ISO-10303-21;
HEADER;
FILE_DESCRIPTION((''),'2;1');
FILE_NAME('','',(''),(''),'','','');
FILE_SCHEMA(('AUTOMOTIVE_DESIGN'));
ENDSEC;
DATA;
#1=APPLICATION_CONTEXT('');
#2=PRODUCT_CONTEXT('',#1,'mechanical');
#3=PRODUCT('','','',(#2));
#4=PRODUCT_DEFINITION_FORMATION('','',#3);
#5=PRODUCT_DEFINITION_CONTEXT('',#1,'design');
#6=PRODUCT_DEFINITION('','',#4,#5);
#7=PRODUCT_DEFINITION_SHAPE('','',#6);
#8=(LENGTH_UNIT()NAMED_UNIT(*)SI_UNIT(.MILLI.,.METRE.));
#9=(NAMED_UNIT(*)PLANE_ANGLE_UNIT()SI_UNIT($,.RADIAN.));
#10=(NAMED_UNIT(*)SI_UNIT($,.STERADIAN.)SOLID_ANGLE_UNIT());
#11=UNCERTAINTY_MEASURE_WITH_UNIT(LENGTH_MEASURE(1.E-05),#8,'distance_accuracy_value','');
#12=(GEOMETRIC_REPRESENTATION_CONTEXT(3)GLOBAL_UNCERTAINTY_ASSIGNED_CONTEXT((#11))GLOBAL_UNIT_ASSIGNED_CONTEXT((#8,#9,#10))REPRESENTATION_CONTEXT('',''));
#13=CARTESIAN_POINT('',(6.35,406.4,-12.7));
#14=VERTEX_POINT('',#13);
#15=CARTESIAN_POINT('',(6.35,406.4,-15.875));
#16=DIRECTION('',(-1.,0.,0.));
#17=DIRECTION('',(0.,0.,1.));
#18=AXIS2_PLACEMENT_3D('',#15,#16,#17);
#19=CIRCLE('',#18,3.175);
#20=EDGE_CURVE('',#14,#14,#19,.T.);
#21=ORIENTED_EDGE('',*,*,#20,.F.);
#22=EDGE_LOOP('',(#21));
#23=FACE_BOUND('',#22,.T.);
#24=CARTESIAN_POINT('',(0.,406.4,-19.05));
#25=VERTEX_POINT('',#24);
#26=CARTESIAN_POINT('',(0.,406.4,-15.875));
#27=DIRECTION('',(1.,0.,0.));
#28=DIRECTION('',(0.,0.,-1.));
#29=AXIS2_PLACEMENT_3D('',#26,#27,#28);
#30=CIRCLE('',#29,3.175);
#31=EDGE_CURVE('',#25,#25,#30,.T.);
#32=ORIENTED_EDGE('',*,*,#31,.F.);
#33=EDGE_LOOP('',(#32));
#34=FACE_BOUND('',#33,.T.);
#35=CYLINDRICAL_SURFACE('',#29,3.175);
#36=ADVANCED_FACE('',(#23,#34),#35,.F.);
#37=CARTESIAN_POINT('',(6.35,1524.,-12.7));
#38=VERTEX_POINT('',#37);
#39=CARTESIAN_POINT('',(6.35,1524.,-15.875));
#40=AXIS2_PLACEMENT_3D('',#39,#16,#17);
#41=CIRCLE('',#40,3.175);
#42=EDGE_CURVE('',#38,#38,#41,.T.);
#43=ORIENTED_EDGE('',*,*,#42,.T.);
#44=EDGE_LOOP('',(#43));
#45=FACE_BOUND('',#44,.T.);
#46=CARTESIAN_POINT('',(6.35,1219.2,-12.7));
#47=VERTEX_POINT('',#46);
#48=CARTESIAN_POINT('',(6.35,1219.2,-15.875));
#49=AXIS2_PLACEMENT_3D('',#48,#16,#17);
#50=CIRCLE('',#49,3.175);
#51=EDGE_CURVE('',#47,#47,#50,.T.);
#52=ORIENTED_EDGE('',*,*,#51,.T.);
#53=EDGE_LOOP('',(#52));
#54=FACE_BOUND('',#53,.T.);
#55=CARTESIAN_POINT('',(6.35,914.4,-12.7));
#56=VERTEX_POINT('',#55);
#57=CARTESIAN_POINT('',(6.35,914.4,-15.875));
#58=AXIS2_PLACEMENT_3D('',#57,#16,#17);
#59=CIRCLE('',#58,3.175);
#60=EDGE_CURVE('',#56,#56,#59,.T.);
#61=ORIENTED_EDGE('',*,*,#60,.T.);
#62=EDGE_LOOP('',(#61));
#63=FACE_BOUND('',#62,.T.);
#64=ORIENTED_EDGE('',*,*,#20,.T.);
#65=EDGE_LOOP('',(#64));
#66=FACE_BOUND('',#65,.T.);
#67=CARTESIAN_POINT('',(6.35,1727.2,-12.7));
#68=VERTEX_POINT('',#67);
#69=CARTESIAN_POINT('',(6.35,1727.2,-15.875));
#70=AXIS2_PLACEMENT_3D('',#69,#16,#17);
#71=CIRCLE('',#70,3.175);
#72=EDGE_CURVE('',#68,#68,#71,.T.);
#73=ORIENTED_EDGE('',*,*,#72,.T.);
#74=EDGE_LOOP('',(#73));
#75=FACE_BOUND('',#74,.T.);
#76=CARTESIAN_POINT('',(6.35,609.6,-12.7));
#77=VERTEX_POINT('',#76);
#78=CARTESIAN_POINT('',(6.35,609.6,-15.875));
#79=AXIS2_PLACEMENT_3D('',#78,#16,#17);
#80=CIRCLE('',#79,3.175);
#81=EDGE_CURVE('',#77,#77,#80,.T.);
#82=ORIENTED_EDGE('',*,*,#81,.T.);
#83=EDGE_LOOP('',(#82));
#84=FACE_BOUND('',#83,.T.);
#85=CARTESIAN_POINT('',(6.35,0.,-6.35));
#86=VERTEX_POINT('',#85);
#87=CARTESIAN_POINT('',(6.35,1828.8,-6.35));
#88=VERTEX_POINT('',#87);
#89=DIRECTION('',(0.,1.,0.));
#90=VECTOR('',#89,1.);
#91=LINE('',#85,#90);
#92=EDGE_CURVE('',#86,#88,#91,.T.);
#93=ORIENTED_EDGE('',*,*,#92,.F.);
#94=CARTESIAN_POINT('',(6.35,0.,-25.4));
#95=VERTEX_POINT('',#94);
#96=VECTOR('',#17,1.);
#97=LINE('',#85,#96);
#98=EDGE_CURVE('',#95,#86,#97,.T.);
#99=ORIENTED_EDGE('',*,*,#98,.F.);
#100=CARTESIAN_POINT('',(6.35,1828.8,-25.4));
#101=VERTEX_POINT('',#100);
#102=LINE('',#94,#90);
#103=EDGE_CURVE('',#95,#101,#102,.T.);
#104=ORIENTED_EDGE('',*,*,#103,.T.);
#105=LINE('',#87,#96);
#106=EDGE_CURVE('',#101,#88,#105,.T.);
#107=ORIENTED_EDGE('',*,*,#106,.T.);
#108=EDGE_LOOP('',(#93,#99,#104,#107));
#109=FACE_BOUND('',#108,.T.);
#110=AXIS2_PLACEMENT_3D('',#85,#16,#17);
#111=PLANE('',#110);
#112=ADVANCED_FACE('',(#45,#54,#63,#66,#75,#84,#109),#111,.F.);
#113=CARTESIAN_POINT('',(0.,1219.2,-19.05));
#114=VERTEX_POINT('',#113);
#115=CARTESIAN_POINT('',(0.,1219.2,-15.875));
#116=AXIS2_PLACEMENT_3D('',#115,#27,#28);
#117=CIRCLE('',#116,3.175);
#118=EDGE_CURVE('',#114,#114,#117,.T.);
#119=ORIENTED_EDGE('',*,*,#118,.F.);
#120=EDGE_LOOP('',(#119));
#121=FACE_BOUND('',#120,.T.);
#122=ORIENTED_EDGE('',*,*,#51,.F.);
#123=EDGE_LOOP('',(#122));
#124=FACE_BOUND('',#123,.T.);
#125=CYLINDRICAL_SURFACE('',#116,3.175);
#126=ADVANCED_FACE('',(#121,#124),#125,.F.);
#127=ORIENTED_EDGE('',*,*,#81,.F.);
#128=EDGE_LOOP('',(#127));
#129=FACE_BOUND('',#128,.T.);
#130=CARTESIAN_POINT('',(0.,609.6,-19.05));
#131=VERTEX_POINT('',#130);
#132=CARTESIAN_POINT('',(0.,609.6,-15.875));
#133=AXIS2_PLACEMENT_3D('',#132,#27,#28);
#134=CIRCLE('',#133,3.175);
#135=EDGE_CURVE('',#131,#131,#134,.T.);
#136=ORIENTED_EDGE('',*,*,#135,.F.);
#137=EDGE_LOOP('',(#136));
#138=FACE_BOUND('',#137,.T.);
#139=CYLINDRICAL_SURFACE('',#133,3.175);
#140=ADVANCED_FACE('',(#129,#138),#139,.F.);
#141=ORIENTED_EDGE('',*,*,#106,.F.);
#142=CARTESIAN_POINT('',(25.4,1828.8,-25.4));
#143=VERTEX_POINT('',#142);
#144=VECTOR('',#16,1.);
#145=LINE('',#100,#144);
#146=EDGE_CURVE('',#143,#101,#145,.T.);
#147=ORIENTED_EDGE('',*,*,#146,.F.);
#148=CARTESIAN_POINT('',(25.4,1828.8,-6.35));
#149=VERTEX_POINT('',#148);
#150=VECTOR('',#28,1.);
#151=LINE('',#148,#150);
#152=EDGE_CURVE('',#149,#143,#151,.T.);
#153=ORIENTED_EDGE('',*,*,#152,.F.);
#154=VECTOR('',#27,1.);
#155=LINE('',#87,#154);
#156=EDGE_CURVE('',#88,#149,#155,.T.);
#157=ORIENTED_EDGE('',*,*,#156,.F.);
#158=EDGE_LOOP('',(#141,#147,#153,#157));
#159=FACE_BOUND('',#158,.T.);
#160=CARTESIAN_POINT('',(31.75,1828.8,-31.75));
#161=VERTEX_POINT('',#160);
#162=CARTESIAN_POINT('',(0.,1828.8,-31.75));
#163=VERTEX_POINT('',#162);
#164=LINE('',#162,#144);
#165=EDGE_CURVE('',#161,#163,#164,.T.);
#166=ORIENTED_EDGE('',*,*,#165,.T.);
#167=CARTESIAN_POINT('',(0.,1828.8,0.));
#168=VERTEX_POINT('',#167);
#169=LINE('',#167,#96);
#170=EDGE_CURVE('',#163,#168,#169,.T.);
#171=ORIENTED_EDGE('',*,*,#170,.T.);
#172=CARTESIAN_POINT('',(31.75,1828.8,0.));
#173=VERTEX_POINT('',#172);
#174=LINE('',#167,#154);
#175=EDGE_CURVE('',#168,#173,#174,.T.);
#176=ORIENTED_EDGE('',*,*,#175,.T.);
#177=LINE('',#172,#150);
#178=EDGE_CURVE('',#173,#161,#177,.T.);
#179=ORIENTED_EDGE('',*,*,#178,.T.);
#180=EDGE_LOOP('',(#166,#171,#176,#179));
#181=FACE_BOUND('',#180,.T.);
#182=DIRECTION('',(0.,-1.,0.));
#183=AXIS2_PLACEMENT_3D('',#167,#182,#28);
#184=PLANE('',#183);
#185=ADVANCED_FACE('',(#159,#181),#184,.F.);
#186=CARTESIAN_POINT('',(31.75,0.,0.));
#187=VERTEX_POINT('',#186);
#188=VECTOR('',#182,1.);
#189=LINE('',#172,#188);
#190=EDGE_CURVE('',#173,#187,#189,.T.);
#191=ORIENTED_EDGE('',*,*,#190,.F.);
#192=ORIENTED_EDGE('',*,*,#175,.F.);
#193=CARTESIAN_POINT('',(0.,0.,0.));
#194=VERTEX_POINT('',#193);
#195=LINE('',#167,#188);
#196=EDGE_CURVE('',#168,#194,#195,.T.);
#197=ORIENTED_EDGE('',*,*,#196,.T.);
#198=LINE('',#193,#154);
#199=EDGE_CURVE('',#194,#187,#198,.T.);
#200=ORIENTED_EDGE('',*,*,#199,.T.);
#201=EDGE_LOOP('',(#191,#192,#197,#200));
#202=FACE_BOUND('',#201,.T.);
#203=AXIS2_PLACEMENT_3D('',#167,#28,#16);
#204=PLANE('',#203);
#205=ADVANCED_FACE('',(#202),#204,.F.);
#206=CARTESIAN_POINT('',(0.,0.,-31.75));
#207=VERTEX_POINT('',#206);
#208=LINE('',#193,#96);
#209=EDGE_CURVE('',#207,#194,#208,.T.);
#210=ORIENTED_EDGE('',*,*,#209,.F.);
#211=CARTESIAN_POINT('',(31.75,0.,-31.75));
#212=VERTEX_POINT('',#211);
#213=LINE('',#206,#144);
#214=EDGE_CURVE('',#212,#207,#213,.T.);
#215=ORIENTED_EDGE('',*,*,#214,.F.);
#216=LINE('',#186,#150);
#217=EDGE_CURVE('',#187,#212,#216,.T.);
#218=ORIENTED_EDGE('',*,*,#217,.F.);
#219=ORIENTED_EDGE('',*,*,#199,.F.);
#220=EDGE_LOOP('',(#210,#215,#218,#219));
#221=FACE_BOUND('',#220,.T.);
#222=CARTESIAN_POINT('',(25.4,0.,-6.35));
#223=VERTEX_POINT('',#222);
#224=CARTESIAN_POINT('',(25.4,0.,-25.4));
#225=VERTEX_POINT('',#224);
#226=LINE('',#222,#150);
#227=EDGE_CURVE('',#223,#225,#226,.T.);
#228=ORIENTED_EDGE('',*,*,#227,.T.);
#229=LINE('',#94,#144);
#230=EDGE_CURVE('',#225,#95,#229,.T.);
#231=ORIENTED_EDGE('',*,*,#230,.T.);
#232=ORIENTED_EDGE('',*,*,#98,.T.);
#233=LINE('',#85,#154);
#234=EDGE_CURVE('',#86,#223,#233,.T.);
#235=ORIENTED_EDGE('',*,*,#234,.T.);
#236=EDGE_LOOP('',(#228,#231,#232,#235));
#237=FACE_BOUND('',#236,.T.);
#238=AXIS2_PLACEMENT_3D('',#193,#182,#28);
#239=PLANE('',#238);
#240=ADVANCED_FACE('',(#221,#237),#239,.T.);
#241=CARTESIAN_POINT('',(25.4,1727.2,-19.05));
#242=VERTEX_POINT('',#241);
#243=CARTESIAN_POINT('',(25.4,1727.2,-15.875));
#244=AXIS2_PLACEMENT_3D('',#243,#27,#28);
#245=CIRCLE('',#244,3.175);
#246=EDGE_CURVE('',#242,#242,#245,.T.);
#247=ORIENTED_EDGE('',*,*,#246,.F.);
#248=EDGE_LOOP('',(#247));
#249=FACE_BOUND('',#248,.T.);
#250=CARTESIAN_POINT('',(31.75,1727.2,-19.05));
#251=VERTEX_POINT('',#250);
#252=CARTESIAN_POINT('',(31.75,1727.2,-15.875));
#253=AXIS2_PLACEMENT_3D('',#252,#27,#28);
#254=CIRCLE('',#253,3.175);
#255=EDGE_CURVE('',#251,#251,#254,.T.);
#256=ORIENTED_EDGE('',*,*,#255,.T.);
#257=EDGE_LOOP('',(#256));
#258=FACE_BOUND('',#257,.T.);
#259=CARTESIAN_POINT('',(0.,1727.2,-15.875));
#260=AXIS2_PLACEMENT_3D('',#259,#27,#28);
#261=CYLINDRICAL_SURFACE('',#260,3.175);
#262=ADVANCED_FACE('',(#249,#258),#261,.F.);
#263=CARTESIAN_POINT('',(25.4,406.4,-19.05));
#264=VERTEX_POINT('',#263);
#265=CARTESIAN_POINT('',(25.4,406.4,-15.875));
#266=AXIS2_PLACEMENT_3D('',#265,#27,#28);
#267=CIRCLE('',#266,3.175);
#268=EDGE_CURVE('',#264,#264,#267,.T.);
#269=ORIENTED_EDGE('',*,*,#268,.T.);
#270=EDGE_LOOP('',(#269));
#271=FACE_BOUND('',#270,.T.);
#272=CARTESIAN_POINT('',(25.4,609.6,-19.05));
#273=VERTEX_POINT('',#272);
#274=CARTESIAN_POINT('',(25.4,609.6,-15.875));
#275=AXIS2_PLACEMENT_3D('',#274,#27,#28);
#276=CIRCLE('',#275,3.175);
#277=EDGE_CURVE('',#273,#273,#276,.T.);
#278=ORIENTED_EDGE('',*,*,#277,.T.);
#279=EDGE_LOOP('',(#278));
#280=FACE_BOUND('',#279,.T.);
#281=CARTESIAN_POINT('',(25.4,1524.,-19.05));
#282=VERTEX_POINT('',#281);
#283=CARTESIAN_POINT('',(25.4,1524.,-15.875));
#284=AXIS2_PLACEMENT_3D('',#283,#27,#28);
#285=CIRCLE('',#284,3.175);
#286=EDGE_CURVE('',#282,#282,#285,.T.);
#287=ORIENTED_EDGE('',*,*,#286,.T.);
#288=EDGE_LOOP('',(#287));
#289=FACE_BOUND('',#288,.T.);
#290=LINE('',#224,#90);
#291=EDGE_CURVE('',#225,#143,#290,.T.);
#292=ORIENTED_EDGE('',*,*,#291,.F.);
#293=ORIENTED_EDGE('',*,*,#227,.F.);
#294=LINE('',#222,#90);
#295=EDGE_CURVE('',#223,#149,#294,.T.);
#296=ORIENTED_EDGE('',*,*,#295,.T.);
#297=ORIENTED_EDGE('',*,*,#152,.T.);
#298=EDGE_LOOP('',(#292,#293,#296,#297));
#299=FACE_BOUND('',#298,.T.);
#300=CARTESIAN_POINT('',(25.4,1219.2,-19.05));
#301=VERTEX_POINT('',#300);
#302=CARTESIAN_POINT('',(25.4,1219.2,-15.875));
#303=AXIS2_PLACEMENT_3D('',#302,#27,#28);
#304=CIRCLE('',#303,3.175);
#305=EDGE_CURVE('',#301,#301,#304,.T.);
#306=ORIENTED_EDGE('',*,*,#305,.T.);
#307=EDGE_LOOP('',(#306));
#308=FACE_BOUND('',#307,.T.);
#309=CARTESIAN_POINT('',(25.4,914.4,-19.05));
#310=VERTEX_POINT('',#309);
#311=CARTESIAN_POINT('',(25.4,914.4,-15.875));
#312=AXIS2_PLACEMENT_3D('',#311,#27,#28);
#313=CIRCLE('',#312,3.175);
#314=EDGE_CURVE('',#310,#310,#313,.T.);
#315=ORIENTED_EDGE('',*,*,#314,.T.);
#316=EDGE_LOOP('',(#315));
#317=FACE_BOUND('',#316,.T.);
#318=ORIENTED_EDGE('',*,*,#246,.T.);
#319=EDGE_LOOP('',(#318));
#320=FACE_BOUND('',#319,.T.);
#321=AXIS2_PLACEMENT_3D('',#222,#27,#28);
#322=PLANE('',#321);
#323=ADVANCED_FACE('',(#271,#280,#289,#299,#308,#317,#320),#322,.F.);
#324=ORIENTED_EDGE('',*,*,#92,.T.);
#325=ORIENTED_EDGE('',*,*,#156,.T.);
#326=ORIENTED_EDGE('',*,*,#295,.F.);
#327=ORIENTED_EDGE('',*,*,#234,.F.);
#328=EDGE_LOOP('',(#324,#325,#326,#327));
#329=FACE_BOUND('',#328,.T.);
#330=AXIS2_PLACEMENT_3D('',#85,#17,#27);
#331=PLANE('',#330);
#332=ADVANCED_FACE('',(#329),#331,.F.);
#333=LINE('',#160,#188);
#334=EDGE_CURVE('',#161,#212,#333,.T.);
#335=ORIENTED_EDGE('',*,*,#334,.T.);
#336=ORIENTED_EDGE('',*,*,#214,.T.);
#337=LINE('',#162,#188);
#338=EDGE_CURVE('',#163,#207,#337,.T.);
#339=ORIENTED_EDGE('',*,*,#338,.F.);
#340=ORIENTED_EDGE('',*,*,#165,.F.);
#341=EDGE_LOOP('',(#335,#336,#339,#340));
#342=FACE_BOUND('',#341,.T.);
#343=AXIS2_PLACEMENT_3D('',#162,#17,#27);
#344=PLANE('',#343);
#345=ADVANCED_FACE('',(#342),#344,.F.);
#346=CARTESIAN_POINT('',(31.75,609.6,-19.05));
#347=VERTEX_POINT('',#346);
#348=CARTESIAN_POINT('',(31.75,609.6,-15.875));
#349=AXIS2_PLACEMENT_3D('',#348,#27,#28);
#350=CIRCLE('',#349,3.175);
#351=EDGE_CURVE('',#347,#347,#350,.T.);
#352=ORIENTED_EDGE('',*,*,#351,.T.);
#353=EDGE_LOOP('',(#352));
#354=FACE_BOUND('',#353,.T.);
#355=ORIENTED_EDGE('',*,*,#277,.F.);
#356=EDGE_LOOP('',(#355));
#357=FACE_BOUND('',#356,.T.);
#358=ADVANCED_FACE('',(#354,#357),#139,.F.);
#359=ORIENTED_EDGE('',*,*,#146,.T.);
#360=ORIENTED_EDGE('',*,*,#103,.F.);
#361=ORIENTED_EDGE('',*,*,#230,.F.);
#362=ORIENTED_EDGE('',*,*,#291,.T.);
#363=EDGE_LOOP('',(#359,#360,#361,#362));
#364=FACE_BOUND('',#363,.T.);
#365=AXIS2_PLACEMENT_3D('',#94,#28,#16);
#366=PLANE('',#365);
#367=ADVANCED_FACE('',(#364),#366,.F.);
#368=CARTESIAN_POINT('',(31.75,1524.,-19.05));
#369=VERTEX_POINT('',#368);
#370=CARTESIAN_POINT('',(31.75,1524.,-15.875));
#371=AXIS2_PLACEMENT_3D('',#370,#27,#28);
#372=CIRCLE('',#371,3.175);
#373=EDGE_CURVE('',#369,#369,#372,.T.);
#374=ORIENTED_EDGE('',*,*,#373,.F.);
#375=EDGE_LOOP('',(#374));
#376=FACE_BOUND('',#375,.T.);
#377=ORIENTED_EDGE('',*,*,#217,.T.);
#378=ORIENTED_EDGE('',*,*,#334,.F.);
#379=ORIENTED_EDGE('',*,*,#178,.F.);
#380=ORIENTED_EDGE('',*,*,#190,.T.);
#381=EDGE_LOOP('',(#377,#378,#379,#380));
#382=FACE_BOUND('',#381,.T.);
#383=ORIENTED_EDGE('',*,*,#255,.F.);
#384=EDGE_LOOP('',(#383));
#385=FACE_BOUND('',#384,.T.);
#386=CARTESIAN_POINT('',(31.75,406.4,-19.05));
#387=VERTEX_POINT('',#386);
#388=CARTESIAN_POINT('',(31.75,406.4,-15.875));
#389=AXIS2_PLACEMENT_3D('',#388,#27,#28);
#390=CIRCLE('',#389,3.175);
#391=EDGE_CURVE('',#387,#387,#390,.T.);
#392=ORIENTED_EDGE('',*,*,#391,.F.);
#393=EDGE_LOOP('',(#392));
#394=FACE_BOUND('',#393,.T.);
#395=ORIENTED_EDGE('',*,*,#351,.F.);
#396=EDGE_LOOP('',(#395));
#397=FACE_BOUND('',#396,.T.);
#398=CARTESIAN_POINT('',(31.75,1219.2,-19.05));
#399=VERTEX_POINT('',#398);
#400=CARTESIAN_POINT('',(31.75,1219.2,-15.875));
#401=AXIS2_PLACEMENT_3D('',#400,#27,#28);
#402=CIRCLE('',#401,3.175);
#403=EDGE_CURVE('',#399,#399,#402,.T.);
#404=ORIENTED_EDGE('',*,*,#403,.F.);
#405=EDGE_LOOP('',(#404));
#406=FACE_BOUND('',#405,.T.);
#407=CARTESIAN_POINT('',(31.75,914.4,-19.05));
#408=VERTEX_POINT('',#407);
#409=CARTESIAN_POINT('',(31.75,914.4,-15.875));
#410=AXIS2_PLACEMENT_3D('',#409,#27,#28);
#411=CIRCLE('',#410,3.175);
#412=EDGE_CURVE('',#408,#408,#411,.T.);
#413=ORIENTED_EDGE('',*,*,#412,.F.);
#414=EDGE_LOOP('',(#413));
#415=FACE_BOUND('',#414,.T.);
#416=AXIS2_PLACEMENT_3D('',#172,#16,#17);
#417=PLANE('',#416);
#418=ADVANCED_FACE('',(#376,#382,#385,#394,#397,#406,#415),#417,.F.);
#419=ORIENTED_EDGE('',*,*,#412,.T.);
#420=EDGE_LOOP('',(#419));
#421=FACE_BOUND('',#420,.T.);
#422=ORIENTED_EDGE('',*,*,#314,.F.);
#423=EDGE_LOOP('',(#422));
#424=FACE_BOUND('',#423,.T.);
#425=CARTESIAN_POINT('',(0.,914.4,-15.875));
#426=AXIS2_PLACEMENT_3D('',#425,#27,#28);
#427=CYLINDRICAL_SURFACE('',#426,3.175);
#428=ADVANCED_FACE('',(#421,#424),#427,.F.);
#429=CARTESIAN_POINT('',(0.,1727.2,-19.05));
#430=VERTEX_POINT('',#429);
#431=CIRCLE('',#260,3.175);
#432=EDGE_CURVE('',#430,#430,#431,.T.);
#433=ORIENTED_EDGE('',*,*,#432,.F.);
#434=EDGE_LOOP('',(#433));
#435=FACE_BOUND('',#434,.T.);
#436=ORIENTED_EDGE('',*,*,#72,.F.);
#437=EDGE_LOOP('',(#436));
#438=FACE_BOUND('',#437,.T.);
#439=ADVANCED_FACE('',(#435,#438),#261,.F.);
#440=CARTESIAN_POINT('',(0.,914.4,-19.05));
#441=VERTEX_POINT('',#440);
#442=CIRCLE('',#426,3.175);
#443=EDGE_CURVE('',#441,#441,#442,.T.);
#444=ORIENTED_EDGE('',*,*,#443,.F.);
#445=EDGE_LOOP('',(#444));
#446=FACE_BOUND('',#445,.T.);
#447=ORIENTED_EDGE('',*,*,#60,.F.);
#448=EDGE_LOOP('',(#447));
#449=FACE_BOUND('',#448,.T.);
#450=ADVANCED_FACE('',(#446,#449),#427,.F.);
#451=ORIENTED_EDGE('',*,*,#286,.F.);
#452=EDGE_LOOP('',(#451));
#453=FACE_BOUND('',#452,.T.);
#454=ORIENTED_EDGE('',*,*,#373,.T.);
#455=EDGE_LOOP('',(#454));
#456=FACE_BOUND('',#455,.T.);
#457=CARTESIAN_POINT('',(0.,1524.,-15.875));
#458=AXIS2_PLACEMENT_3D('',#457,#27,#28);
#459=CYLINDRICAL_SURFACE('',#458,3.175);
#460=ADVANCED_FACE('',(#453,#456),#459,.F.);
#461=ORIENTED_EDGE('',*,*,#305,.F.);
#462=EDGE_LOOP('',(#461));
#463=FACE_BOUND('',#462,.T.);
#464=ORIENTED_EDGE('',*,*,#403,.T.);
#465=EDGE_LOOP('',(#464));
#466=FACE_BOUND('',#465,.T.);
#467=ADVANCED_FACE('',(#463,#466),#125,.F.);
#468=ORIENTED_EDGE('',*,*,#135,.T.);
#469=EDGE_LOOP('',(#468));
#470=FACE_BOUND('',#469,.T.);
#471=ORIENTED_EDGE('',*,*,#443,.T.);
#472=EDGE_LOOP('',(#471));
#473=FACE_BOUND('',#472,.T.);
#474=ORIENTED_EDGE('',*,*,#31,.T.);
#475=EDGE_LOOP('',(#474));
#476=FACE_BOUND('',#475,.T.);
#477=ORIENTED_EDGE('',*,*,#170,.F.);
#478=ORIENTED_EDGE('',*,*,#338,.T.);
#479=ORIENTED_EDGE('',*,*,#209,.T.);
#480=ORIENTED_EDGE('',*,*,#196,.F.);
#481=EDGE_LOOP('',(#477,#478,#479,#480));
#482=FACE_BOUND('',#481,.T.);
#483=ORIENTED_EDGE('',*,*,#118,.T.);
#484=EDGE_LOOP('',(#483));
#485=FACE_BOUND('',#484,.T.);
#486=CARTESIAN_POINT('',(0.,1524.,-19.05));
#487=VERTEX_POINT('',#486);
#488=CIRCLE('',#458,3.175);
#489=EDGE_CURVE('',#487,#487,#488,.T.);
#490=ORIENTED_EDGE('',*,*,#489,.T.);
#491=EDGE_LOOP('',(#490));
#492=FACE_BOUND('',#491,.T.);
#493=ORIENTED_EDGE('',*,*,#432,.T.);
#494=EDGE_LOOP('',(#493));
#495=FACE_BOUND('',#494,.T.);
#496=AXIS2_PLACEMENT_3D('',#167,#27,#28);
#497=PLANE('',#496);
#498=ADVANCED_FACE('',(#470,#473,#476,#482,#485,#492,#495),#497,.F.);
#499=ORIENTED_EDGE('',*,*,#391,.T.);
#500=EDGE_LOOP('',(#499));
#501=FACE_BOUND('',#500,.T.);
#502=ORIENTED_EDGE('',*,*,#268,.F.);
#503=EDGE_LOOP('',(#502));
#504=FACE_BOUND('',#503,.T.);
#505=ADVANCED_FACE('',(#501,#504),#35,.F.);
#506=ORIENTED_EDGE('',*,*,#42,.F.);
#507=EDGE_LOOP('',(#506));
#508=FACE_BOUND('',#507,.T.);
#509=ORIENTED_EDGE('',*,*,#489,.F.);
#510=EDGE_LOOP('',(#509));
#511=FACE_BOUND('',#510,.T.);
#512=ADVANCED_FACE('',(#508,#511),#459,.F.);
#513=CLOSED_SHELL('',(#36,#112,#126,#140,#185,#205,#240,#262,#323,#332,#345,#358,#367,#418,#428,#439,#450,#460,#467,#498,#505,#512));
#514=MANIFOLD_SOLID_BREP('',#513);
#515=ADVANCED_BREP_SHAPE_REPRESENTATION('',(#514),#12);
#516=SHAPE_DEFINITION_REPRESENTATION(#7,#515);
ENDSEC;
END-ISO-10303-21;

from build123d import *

# Parameters (mm, degrees)
SKETCH1_W           = 31.75
SKETCH1_H           = 31.75
BOSS_EXTRUDE1_DEPTH = 1828.8
SKETCH2_W           = 19.05
SKETCH2_H           = 19.05
CUT_EXTRUDE1_DEPTH  = 1829.8
SKETCH3_R           = 3.175
CUT_EXTRUDE2_DEPTH  = 32.75
SKETCH4_R           = 3.175
CUT_EXTRUDE3_DEPTH  = 32.75


with BuildPart() as part:
    # Sketch1 → Boss-Extrude1 (new body)
    with BuildSketch(Plane(origin=(0, 0, 0), x_dir=(1, 0, 0), z_dir=(0, 1, 0))):
        with Locations((15.875, 15.875)):
            Rectangle(SKETCH1_W, SKETCH1_H)
    extrude(amount=BOSS_EXTRUDE1_DEPTH)

    # Sketch2 → Cut-Extrude1 (cut, through all)
    with BuildSketch(Plane(origin=(0, 1828.8, 0), x_dir=(1, 0, 0), z_dir=(0, 1, 0))):
        with Locations((15.875, 15.875)):
            Rectangle(SKETCH2_W, SKETCH2_H)
    extrude(amount=-CUT_EXTRUDE1_DEPTH, mode=Mode.SUBTRACT)

    # Sketch3 → Cut-Extrude2 (cut, through all)
    with BuildSketch(Plane(origin=(31.75, 0, 0), x_dir=(0, 0, -1), z_dir=(1, 0, 0))):
        with Locations((15.875, 1727.2)):
            Circle(SKETCH3_R)
    extrude(amount=-CUT_EXTRUDE2_DEPTH, mode=Mode.SUBTRACT)

    # Sketch4 → Cut-Extrude3 (cut, through all)
    with BuildSketch(Plane(origin=(31.75, 0, 0), x_dir=(0, 0, -1), z_dir=(1, 0, 0))):
        with Locations((15.875, 1524)):
            Circle(SKETCH4_R)
        with Locations((15.875, 1219.2)):
            Circle(SKETCH4_R)
        with Locations((15.875, 914.4)):
            Circle(SKETCH4_R)
        with Locations((15.875, 609.6)):
            Circle(SKETCH4_R)
        with Locations((15.875, 406.4)):
            Circle(SKETCH4_R)
    extrude(amount=-CUT_EXTRUDE3_DEPTH, mode=Mode.SUBTRACT)


solid = part.part
